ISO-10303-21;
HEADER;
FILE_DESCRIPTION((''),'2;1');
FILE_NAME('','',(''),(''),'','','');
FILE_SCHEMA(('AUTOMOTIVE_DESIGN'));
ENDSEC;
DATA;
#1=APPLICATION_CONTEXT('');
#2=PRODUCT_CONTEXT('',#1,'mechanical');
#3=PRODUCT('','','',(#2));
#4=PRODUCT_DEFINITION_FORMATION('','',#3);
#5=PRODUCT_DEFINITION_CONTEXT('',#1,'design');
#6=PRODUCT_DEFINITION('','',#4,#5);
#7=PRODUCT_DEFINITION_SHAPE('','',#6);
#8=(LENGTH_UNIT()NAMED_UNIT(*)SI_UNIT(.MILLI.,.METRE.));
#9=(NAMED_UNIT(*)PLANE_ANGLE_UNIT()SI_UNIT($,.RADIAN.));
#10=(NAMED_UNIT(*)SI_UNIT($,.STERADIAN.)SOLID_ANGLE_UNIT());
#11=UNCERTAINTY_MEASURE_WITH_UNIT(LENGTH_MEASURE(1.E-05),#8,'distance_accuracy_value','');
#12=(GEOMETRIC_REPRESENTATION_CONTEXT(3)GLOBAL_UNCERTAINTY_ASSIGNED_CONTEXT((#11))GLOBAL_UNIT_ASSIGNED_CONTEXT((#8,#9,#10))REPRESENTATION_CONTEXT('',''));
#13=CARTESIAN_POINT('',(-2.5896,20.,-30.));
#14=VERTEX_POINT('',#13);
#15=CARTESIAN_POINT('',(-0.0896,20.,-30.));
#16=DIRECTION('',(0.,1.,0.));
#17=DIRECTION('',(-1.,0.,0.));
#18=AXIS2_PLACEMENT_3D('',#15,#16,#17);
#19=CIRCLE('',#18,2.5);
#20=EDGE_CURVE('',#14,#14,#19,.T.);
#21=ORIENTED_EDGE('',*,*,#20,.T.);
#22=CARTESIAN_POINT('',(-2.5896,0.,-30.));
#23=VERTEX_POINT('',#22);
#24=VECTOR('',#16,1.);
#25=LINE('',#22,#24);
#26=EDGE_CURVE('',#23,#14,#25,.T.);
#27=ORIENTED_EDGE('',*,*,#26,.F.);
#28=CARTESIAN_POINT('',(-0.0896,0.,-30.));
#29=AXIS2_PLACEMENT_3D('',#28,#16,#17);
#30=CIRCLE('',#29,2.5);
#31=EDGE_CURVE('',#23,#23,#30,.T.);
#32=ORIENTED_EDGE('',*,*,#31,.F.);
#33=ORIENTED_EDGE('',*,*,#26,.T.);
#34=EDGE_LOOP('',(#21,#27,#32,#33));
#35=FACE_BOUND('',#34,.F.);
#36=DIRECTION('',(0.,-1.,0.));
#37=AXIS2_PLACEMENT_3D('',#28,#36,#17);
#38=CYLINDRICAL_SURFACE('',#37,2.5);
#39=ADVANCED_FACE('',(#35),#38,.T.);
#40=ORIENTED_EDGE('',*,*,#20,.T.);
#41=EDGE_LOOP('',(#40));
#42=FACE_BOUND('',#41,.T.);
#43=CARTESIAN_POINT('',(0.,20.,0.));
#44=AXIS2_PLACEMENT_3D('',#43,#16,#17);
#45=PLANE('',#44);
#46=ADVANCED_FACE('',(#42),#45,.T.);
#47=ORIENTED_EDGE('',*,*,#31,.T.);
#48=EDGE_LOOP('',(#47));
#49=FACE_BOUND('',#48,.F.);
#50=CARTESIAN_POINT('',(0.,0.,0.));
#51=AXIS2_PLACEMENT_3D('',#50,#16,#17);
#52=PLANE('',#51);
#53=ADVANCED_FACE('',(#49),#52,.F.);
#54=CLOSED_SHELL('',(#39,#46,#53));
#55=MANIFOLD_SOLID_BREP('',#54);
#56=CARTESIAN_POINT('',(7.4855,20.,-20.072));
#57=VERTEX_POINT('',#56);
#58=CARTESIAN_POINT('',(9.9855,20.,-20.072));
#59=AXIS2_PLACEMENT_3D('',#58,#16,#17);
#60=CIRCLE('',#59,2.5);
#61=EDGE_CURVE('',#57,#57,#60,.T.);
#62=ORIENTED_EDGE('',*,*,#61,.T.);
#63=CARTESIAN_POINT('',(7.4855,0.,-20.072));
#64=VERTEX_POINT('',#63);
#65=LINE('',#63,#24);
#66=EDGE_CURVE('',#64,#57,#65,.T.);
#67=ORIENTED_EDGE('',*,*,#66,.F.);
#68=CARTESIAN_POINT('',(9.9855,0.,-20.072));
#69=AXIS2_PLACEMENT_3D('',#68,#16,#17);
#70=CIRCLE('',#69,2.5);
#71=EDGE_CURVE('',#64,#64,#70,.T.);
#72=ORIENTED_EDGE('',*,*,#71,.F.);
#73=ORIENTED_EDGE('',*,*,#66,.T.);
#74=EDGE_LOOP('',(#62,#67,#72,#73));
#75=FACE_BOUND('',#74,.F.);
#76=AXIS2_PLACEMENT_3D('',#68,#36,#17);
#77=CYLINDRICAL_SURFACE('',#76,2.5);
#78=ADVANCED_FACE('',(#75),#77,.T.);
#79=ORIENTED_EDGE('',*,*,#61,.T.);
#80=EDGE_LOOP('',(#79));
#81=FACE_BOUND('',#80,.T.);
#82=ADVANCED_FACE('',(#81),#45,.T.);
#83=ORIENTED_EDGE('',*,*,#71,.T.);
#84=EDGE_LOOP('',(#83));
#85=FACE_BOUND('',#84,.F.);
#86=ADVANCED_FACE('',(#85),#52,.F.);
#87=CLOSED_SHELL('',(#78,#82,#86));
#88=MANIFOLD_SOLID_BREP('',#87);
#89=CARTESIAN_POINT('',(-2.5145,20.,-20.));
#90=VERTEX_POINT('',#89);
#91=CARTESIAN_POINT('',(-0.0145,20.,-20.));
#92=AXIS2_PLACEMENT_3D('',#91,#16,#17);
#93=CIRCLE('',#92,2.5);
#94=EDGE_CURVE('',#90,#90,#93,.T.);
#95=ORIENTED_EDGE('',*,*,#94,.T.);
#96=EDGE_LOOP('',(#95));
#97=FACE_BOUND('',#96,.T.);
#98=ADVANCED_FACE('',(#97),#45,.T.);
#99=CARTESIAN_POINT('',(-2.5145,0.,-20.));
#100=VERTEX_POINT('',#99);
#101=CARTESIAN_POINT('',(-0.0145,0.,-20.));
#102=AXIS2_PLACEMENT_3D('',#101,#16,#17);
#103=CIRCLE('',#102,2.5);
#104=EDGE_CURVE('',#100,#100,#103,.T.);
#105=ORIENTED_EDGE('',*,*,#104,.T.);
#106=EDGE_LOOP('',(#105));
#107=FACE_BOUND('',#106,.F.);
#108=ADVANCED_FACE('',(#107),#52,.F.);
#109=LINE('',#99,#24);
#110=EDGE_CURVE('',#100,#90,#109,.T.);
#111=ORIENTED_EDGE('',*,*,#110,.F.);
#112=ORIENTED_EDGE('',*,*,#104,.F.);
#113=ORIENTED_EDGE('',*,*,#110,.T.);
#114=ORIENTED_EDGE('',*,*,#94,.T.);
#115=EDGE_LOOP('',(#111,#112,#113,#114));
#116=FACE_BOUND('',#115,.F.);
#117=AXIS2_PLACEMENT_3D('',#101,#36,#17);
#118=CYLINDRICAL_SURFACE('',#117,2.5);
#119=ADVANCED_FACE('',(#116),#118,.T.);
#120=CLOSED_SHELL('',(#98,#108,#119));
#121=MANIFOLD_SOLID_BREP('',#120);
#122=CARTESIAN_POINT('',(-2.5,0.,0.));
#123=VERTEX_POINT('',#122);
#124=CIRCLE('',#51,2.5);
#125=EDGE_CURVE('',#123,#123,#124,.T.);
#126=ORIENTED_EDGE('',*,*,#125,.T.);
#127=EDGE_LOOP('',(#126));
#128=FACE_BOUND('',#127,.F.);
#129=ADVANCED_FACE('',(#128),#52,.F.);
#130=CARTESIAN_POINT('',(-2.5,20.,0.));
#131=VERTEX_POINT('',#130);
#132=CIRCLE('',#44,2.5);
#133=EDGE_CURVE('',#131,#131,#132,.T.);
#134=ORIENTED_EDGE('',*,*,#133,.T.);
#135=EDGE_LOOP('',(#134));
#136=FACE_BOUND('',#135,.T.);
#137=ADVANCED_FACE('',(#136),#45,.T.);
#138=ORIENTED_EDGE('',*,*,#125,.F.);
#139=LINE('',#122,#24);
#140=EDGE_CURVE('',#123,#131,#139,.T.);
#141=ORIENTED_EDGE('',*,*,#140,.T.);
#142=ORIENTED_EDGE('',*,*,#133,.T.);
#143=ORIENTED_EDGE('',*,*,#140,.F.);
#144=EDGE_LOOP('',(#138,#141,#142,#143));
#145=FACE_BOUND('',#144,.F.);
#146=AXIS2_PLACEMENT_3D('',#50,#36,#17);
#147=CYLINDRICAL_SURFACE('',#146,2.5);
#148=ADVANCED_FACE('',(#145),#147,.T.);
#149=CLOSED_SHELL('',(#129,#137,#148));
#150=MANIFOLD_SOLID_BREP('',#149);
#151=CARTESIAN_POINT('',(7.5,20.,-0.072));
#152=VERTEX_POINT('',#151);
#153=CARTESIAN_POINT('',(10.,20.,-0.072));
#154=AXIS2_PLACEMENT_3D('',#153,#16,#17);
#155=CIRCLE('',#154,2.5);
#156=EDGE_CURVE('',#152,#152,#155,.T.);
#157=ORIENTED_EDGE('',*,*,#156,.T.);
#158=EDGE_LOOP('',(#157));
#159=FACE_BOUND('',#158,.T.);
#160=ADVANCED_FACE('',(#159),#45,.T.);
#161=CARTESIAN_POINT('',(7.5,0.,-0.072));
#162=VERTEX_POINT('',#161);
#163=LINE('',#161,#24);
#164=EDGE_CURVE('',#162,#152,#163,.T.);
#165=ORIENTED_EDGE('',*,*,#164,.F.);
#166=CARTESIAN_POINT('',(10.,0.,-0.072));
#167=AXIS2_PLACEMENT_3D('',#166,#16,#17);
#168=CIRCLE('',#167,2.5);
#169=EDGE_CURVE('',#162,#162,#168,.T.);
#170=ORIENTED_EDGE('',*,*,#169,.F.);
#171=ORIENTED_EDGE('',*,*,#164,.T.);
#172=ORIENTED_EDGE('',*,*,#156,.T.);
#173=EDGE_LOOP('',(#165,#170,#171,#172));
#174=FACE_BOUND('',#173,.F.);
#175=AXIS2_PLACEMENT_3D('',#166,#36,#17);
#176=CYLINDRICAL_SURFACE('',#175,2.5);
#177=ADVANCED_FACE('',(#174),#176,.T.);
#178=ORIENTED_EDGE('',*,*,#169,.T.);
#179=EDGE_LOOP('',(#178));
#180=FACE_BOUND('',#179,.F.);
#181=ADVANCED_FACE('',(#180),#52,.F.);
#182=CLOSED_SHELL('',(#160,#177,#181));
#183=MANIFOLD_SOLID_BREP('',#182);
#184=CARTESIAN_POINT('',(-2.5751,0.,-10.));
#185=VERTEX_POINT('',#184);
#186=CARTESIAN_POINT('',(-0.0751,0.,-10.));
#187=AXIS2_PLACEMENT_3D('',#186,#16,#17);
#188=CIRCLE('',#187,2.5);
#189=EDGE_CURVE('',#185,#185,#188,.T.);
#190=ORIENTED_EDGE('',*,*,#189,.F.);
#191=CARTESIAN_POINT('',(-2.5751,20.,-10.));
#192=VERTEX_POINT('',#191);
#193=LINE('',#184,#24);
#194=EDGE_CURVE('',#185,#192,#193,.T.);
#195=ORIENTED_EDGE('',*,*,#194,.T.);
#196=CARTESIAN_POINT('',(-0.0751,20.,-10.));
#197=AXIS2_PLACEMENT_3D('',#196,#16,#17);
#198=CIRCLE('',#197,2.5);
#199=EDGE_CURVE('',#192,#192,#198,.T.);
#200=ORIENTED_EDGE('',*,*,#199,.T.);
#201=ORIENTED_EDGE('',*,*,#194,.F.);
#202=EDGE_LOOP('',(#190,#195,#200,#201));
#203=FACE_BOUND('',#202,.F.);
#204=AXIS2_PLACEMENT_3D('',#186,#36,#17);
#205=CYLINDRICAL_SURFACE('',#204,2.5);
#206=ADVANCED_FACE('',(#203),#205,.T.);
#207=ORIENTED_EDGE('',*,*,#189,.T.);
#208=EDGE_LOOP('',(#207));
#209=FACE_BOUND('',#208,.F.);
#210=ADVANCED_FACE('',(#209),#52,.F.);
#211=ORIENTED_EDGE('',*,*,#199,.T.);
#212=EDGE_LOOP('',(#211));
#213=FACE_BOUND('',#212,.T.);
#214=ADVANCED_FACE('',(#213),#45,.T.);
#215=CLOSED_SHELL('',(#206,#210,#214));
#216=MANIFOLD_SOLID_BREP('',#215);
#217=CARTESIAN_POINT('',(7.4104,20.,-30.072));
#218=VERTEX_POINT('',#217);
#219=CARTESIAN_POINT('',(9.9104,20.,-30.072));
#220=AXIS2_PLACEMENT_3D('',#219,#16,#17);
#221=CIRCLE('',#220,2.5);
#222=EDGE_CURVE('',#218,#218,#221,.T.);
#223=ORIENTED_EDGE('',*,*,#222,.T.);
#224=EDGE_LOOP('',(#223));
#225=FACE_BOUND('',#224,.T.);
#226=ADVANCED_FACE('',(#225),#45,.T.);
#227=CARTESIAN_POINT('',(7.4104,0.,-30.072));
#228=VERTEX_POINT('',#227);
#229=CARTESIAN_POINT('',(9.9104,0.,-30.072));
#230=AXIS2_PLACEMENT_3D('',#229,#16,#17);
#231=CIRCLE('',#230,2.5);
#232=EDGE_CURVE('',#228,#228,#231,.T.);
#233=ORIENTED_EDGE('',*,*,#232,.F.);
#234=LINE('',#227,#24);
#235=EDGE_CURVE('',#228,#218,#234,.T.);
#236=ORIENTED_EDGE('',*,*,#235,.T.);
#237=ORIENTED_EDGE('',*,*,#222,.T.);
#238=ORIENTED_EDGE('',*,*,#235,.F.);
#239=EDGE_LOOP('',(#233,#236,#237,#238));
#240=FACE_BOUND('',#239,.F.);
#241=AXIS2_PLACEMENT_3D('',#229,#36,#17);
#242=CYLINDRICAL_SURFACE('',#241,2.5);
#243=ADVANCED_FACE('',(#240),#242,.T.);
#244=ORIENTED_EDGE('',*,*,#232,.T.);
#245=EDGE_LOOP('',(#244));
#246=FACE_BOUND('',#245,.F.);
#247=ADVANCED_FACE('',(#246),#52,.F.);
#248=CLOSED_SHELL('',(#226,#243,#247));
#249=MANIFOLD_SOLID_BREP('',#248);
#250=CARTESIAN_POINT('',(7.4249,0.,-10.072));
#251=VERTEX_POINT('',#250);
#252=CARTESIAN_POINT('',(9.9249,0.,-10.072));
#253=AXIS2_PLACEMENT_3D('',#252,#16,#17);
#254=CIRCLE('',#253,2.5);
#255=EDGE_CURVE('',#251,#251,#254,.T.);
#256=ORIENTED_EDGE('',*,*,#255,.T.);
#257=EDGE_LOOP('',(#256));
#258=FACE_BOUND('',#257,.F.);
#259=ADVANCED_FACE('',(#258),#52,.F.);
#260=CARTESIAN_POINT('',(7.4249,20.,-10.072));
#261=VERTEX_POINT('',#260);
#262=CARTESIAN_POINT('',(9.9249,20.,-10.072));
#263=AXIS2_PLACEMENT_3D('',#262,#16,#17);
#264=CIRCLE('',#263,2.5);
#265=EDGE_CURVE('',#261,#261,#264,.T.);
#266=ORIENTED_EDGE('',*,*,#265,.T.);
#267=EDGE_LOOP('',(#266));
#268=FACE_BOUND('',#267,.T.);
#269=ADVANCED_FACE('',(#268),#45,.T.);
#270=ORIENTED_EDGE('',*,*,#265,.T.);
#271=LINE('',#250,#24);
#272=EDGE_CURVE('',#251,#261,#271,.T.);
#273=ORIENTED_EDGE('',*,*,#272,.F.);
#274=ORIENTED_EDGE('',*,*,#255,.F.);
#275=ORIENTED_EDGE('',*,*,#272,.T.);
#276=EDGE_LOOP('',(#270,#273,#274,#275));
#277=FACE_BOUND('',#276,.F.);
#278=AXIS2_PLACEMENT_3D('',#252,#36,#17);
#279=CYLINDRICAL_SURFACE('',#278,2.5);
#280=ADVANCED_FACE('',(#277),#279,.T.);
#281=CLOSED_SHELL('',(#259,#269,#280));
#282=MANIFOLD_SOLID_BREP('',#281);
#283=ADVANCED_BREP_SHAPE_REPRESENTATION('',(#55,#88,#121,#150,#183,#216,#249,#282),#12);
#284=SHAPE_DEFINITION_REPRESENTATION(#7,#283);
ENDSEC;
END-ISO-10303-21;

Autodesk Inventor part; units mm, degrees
ref_plane "YZ Plane" through (0, 0, 0) normal (1, 0, 0) x (0, 1, 0)
ref_plane "XZ Plane" through (0, 0, 0) normal (0, 1, 0) x (-1, 0, 0)
ref_plane "XY Plane" through (0, 0, 0) normal (0, 0, 1) x (1, 0, 0)
sketch "Skizze1" plane through (0, 0, 0) normal (0, 1, 0) x (-1, 0, 0)
  point P0 (0, 0)
sketch "Skizze31" plane through (0, 0, 0) normal (0, 1, 0) x (-1, 0, 0)
  circle A0 centre (0, 0) radius 2.5
  circle A1 centre (-10, -0.072) radius 2.5
  circle A2 centre (0.0751, -10) radius 2.5
  circle A3 centre (-9.9249, -10.072) radius 2.5
  circle A4 centre (0.0145, -20) radius 2.5
  circle A5 centre (-9.9855, -20.072) radius 2.5
  circle A6 centre (0.0896, -30) radius 2.5
  circle A7 centre (-9.9104, -30.072) radius 2.5
  dimension "d186" = 5
  dimension "d187" = 5
  dimension "d188" = 10
  dimension "d189" = 5
  dimension "d190" = 5
  dimension "d191" = 10
  dimension "d192" = 10
  dimension "d193" = 5
  dimension "d194" = 5
  dimension "d195" = 10
  dimension "d196" = 5
  dimension "d197" = 5
  dimension "d198" = 10
  dimension "d199" = 10
  dimension "d200" = 10
extrude "Extrusion21" add sketch "Skizze31" along normal blind 20
properties part number "WRO Modell_RC_Auto_4"
